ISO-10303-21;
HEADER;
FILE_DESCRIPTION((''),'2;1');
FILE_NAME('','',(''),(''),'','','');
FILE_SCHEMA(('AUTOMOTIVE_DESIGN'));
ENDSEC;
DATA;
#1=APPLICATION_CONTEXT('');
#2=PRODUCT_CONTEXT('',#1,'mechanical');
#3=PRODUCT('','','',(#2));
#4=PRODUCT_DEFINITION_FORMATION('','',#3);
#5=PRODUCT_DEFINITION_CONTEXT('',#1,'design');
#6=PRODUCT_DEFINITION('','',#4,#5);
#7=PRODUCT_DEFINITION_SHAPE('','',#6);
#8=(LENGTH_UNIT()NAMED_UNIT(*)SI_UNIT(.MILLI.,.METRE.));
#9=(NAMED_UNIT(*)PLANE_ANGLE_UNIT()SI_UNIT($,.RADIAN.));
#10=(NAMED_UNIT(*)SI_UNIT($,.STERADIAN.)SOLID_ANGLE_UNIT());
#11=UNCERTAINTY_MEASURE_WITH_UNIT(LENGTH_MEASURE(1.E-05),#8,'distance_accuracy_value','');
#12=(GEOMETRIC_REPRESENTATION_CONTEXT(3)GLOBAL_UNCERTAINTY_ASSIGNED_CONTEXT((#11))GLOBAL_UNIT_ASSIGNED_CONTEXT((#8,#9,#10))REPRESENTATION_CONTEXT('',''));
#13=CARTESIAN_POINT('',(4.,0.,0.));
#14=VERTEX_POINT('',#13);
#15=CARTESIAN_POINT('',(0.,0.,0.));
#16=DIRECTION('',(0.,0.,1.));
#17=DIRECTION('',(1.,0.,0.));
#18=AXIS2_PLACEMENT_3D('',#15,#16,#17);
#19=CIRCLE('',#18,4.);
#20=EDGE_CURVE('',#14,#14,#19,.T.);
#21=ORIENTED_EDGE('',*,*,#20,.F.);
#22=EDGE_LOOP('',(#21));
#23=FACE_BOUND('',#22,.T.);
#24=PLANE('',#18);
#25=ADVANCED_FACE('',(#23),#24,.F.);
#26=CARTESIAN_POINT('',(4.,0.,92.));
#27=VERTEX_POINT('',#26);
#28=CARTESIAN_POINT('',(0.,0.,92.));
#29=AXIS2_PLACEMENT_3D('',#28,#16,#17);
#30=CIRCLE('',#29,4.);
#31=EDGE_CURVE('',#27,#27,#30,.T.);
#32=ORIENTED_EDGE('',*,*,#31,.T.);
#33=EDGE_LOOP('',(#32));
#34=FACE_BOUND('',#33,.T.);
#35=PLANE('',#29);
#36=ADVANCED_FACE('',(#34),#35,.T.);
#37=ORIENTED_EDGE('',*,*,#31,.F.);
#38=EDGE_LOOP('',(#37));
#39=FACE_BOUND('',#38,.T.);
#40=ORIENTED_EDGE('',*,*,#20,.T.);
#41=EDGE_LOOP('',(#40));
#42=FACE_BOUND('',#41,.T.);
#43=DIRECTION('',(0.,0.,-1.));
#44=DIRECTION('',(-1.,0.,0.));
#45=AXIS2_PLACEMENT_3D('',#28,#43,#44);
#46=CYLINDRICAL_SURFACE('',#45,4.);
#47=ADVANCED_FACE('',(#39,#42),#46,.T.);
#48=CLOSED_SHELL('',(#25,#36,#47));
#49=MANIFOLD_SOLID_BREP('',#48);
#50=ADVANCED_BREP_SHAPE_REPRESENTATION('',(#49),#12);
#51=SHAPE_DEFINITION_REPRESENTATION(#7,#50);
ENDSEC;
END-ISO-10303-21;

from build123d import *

# Parameters (mm, degrees)
SKETCH1_R           = 4
BOSS_EXTRUDE1_DEPTH = 92


with BuildPart() as part:
    # Sketch1 → Boss-Extrude1 (new body)
    with BuildSketch(Plane.XY):
        Circle(SKETCH1_R)
    extrude(amount=BOSS_EXTRUDE1_DEPTH)


solid = part.part
